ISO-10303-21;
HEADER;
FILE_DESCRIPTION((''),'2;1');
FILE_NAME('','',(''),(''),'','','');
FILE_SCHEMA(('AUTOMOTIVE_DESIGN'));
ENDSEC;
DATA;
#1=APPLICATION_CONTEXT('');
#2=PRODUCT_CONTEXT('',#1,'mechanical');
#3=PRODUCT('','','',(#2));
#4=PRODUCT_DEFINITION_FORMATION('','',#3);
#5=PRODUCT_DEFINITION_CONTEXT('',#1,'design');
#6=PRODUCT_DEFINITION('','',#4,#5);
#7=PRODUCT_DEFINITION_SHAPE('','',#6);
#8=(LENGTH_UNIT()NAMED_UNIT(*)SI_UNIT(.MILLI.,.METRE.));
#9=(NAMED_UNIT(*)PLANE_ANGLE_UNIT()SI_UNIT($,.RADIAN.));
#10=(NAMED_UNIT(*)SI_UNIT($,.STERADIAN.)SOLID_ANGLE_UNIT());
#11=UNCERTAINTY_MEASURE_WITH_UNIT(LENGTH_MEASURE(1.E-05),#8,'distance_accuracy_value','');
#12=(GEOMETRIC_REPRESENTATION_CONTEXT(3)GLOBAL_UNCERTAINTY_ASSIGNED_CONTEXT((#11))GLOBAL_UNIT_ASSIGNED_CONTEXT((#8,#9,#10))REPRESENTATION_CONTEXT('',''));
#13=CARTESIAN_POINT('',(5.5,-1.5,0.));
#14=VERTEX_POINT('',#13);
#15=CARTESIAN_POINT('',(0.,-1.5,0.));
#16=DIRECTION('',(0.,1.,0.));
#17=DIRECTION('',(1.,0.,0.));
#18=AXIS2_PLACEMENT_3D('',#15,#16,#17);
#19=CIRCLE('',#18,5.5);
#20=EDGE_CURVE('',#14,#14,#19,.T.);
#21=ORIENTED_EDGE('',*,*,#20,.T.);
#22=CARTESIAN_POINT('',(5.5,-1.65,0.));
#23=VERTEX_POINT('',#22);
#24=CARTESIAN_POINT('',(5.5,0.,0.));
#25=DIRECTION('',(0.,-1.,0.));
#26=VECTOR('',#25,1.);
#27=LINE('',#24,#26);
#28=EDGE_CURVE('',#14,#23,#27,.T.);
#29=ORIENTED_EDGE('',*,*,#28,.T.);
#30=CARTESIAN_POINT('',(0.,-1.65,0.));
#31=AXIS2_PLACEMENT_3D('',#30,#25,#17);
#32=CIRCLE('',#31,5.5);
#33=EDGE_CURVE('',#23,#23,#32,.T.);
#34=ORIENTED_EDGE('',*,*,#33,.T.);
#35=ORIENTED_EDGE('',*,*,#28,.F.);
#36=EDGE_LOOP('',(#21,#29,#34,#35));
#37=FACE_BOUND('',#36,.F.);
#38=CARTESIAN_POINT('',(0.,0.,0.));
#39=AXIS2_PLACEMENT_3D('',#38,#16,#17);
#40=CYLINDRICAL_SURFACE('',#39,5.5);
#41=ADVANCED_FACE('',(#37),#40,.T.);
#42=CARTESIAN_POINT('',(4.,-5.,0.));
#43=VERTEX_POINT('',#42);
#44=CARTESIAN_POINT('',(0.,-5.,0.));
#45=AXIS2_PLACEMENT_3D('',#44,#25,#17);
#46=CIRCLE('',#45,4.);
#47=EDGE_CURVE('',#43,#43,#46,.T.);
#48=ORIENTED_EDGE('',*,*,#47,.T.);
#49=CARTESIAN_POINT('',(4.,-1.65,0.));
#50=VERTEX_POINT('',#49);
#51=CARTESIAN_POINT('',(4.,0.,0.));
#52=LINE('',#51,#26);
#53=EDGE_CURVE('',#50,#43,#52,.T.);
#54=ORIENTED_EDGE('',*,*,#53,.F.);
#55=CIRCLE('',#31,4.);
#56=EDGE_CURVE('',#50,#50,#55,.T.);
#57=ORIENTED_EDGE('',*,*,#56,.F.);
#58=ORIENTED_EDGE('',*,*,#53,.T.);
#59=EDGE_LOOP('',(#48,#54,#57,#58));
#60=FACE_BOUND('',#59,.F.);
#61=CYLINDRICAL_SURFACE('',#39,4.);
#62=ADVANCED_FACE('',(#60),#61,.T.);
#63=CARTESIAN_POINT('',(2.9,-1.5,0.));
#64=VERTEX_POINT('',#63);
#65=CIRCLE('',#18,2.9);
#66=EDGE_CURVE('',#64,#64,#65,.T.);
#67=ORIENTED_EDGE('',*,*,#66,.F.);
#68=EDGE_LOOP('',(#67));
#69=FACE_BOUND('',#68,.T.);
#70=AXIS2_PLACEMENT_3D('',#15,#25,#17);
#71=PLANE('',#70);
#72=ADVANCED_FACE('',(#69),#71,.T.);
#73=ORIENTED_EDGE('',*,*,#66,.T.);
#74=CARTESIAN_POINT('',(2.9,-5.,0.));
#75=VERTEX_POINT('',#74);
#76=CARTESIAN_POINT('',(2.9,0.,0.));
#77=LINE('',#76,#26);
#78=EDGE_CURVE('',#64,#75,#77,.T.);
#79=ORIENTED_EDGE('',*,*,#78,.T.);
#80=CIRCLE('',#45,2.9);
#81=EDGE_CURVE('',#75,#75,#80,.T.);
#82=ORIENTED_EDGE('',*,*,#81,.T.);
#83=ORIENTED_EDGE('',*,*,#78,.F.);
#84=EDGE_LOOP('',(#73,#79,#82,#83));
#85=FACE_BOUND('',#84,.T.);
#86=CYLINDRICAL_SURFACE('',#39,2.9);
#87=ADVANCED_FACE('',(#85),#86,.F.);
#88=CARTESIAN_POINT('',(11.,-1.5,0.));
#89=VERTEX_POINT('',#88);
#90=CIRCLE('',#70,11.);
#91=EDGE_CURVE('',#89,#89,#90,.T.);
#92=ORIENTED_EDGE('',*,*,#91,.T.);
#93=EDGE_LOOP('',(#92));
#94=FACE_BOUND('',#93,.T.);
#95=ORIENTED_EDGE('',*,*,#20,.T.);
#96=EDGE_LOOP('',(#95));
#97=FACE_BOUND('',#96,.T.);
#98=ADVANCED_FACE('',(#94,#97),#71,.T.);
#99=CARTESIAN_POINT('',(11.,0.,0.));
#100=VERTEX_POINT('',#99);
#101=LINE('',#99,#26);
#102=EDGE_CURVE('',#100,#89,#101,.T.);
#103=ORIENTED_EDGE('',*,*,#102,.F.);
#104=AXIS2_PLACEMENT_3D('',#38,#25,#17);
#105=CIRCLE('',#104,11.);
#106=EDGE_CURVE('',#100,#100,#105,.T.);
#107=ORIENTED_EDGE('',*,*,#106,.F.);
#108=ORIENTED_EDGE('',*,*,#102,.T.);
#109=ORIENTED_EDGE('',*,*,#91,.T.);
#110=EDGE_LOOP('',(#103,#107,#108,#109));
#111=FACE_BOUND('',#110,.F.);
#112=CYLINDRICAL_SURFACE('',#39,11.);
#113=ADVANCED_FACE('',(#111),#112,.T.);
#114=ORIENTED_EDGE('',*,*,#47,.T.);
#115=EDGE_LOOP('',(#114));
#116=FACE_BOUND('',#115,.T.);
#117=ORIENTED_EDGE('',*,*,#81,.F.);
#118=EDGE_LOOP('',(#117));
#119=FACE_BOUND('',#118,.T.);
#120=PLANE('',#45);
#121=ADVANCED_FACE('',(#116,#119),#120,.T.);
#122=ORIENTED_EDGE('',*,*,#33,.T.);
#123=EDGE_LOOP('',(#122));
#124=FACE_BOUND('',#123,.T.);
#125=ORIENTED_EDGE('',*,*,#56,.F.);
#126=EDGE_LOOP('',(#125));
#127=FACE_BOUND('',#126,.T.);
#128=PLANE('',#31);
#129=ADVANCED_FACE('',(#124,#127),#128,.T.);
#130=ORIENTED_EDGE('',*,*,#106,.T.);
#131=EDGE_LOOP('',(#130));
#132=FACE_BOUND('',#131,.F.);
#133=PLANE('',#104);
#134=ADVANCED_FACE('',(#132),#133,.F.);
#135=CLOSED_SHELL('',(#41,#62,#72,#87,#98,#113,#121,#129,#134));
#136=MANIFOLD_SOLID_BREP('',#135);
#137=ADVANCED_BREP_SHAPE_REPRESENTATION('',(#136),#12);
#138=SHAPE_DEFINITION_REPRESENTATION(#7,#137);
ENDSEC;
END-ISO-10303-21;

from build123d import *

# Parameters (mm, degrees)
F0_R     = 11
F0_R_2   = 5.5
F0_R_3   = 4
F0_R_4   = 2.9
F1_DEPTH = 1.5
F2_DEPTH = 1.65
F3_DEPTH = 5


with BuildPart() as f1:
    # F0 (on Front) → F1 (new body)
    with BuildSketch(Plane.XZ):
        Circle(F0_R)
        Circle(F0_R_2, mode=Mode.SUBTRACT)
        Circle(F0_R_2)
        Circle(F0_R_3, mode=Mode.SUBTRACT)
        Circle(F0_R_3)
        Circle(F0_R_4, mode=Mode.SUBTRACT)
        Circle(F0_R_4)
    extrude(amount=F1_DEPTH)

    # F0 (on Front) → F2 (join)
    with BuildSketch(Plane.XZ):
        Circle(F0_R_2)
        Circle(F0_R_3, mode=Mode.SUBTRACT)
    extrude(amount=F2_DEPTH)

    # F0 (on Front) → F3 (join)
    with BuildSketch(Plane.XZ):
        Circle(F0_R_3)
        Circle(F0_R_4, mode=Mode.SUBTRACT)
    extrude(amount=F3_DEPTH)


solid = f1.part
